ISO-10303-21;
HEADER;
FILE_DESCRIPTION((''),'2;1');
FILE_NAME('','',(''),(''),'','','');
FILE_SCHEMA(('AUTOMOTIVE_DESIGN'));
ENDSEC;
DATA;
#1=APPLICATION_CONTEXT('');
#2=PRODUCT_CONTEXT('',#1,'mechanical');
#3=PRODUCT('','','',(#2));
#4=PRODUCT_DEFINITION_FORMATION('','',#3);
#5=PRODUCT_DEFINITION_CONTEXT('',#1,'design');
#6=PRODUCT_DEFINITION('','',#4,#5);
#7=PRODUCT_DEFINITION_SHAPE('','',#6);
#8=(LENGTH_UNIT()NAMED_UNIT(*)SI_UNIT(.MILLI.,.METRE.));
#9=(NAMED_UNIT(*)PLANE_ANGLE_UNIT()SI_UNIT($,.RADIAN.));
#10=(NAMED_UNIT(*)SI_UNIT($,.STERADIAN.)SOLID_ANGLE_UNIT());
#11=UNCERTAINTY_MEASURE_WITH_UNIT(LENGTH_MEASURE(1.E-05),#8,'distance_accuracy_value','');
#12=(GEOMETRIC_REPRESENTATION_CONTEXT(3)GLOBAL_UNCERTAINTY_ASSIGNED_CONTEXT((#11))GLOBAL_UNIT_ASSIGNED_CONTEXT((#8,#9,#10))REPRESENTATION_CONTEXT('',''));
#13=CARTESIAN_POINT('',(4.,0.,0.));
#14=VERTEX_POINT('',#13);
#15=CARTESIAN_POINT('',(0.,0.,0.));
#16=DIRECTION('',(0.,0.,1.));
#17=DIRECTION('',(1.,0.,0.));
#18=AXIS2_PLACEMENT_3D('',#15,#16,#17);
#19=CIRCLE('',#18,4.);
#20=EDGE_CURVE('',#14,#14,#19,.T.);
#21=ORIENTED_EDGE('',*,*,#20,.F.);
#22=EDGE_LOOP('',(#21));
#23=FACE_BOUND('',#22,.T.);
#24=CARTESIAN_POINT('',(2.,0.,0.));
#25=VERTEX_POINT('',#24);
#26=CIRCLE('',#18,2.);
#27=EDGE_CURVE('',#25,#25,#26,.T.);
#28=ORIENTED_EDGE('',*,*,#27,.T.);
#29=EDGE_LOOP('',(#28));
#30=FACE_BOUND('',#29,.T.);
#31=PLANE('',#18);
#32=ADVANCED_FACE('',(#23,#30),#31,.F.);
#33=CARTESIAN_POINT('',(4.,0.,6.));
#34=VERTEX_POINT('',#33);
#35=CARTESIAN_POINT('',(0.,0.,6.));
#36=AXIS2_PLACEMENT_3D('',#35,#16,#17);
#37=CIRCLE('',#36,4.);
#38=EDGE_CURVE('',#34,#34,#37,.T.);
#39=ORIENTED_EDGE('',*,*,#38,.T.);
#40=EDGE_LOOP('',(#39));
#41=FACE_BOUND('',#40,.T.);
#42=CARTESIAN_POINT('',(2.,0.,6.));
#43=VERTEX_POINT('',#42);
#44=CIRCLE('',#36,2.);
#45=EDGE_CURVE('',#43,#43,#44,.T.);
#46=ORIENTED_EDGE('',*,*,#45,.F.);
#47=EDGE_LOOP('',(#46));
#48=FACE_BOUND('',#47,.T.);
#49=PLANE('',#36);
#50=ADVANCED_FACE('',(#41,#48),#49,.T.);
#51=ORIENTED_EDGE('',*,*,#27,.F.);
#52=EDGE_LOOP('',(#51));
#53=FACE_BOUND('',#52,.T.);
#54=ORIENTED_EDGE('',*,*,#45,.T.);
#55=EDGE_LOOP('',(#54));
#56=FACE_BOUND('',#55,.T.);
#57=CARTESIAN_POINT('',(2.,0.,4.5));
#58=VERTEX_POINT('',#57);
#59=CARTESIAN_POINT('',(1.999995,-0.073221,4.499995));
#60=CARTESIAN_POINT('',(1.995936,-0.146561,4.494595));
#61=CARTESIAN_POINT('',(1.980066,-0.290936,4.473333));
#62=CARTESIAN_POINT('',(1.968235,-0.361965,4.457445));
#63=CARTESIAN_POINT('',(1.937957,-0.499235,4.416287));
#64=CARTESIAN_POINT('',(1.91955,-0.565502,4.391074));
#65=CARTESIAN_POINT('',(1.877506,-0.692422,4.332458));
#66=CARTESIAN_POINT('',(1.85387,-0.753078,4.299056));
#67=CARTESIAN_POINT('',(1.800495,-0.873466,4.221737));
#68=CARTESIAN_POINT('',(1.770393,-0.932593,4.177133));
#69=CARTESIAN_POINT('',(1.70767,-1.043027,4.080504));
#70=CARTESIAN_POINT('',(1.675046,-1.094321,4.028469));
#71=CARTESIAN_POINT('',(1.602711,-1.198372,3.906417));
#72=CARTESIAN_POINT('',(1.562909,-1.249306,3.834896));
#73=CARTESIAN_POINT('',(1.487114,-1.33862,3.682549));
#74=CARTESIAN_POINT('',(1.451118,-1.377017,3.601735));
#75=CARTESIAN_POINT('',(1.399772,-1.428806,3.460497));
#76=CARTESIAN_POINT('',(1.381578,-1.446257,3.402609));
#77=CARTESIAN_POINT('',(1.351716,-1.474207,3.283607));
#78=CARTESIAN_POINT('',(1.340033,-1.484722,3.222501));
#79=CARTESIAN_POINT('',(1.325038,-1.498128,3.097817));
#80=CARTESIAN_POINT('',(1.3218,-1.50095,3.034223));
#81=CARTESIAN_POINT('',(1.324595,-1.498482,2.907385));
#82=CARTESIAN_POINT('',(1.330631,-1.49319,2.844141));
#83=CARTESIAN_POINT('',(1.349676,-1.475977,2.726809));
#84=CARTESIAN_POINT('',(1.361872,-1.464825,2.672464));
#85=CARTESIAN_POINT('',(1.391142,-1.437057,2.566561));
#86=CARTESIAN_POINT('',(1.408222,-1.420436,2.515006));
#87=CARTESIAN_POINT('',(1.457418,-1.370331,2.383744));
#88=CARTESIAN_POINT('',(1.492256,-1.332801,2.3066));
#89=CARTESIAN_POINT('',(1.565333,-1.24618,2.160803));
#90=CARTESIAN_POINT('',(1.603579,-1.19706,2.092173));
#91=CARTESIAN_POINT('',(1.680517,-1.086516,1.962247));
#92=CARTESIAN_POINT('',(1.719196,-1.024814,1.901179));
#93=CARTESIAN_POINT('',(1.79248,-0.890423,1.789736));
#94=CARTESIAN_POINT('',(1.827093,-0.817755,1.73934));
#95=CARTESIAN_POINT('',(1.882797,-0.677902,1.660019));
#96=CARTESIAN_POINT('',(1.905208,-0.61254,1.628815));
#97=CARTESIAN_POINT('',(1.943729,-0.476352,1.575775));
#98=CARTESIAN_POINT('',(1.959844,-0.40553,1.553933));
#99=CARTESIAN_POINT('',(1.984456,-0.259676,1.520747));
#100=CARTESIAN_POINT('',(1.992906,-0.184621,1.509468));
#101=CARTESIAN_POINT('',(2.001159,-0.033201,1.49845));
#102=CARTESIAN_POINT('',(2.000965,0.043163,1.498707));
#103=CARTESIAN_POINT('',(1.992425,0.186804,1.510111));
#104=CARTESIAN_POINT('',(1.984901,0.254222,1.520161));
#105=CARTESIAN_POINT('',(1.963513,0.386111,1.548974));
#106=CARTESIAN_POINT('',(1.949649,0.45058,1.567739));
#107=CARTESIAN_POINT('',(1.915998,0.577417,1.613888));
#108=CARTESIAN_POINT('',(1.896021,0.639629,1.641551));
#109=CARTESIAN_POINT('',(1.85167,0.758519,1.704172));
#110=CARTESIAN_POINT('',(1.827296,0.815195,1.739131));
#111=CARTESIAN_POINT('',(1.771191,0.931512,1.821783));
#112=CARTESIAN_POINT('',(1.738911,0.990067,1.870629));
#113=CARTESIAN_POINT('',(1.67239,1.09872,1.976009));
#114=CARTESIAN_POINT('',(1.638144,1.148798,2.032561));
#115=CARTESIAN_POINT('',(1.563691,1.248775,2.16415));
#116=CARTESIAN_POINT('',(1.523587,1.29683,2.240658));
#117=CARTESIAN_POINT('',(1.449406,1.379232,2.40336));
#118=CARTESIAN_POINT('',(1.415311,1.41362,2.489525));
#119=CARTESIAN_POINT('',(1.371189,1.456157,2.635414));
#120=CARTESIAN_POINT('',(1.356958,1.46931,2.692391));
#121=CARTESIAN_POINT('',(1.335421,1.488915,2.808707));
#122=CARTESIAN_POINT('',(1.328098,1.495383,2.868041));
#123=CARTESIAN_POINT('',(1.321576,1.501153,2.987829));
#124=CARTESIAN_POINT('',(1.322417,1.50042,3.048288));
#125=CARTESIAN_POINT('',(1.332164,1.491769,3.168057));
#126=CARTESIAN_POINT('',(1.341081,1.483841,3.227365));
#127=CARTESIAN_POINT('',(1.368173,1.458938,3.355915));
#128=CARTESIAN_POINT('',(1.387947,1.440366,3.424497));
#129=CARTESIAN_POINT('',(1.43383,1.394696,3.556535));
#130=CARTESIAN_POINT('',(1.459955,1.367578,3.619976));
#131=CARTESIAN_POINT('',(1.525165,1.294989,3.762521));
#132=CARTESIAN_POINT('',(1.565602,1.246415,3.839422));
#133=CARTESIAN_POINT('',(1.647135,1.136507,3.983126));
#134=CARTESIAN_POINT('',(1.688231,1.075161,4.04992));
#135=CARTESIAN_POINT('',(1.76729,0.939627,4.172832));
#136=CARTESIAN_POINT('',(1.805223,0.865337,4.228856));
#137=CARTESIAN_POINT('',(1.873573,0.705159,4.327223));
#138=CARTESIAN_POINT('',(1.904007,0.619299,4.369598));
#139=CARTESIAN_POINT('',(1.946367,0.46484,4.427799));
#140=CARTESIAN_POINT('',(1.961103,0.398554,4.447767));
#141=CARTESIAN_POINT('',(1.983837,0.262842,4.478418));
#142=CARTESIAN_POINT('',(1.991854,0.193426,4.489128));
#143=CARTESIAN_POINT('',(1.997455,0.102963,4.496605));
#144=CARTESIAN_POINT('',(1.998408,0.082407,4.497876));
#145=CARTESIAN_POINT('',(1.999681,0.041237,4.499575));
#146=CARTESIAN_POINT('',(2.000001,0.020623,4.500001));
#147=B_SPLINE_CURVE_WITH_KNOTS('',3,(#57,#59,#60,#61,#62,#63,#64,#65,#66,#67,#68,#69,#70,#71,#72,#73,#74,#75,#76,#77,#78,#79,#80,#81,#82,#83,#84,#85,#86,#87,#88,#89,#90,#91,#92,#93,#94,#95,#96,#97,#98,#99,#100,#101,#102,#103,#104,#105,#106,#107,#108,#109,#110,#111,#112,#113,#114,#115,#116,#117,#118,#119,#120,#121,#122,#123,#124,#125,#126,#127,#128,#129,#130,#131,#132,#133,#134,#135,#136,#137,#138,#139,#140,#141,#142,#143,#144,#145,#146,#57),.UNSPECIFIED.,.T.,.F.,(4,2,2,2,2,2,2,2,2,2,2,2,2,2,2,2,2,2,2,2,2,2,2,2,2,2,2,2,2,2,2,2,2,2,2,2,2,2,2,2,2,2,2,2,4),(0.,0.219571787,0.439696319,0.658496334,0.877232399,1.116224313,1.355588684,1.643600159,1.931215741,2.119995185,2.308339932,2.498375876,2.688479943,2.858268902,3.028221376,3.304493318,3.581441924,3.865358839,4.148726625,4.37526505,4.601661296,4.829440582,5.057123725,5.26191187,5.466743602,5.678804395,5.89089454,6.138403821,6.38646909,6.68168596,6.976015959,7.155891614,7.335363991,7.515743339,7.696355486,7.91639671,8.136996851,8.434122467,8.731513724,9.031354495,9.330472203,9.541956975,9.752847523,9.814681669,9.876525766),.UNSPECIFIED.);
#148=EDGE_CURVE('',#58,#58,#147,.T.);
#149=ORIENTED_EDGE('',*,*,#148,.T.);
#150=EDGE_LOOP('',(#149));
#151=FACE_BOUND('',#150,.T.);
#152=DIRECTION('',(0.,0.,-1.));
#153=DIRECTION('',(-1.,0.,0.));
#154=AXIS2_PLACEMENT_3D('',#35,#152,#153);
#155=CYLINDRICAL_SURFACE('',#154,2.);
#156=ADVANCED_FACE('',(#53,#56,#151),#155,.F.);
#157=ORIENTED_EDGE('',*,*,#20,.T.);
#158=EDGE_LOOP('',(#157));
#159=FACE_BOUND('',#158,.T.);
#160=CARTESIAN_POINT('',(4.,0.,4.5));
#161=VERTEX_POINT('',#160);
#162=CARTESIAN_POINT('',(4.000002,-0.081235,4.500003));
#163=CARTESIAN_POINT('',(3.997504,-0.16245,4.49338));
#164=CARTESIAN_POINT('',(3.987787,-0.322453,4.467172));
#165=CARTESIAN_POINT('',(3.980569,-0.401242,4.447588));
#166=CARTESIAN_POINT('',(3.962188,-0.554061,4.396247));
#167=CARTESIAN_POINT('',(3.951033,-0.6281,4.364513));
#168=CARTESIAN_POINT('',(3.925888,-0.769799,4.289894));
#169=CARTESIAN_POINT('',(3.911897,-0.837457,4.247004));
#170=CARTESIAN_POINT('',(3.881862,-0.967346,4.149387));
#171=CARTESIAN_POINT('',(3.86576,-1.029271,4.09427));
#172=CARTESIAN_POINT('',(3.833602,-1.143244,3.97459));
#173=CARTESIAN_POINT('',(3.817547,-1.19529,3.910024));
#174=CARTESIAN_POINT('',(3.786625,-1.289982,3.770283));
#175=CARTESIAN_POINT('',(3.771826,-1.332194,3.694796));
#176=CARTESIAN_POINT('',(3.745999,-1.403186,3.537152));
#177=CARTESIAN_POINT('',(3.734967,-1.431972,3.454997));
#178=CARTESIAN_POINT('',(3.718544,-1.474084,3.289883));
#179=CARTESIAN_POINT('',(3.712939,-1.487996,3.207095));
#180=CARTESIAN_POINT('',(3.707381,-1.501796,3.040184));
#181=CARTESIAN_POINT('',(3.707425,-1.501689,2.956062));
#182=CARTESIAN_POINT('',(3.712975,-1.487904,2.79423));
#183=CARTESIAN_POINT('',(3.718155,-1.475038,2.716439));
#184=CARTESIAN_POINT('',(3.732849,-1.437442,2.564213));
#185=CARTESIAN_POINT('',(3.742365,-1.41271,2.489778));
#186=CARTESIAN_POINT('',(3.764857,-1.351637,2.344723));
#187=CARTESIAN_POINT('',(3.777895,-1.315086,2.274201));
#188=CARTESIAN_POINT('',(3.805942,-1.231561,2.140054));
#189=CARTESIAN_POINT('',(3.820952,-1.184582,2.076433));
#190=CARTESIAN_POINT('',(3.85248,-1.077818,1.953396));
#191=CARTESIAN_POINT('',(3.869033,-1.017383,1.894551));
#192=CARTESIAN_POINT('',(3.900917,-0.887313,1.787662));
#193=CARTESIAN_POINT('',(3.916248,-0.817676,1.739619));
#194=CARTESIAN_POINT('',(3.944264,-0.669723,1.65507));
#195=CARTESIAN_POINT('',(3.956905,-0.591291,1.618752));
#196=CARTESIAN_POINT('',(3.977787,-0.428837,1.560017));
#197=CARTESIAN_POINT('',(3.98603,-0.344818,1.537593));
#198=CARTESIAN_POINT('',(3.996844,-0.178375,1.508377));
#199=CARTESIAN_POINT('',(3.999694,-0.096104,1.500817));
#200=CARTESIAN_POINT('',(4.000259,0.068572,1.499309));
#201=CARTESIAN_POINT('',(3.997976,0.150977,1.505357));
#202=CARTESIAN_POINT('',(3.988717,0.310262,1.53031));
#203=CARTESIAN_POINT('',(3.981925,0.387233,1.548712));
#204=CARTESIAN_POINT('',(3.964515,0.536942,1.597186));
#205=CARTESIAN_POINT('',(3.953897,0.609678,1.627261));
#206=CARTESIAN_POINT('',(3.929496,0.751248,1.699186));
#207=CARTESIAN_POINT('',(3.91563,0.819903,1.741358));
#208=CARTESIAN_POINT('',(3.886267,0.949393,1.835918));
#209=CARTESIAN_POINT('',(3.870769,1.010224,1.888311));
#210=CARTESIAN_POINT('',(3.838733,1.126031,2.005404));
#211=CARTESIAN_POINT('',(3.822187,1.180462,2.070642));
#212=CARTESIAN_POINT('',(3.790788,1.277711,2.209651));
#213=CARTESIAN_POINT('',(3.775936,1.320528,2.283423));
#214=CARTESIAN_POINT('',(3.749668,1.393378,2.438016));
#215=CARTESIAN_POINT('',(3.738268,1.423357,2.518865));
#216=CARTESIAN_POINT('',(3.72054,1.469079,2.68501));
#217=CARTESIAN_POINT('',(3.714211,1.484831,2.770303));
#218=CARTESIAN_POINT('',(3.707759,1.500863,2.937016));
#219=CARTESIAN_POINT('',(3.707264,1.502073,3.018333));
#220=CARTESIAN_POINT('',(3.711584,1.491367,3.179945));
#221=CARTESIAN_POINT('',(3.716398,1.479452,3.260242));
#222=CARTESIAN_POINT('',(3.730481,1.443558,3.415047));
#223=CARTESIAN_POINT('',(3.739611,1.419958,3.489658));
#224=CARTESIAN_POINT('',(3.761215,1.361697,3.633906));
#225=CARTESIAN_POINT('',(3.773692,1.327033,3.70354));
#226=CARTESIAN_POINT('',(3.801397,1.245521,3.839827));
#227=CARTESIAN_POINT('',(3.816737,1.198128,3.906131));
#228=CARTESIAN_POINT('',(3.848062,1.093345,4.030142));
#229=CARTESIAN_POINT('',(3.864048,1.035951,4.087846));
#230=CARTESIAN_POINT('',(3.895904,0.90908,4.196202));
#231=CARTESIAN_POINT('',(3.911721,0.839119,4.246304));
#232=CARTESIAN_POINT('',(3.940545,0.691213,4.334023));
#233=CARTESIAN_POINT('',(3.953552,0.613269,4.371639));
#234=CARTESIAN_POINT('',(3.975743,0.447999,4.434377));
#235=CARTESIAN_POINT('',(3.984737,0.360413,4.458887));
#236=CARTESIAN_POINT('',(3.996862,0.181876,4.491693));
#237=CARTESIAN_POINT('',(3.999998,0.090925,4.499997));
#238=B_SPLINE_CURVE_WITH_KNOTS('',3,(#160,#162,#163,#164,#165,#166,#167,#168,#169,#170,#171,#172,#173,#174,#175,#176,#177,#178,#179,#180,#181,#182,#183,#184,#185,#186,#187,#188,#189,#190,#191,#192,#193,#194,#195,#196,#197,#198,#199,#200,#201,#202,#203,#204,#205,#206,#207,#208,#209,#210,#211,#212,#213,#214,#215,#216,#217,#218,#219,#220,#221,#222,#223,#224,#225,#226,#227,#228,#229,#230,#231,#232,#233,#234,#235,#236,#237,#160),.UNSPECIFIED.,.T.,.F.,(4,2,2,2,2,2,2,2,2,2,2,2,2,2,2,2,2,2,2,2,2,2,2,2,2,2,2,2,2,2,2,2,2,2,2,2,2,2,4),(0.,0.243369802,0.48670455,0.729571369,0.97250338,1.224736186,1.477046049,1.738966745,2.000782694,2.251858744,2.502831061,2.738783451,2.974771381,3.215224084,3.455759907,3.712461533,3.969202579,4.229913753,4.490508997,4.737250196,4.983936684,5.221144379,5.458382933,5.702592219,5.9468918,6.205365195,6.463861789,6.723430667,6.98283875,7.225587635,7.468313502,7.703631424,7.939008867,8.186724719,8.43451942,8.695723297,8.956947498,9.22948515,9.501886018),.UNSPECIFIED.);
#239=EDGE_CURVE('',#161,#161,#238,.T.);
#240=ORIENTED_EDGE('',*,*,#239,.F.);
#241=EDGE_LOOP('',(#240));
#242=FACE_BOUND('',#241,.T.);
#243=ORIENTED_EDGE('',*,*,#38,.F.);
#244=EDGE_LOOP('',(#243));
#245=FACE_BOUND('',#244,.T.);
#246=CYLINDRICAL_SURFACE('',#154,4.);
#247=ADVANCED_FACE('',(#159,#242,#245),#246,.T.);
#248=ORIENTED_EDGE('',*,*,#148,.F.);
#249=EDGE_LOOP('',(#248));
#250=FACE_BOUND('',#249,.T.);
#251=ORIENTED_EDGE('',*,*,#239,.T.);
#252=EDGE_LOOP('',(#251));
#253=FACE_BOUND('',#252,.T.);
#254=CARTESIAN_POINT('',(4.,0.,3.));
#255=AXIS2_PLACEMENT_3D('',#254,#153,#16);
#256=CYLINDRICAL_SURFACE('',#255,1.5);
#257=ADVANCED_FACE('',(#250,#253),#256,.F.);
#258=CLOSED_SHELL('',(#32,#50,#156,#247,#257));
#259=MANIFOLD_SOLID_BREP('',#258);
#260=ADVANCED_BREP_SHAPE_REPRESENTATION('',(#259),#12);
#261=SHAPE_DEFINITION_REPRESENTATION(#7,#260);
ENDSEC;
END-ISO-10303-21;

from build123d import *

# Parameters (mm, degrees)
SKETCH_1_R           = 4
SKETCH_1_R_2         = 2.025
EXTRUDE_6_DEPTH      = 6
MOVE_FACE_D4_BY      = 0.025
SKETCH_2_R           = 1.5
CUT_EXTRUDE_M3_DEPTH = 9.246211251


with BuildPart() as part:
    # 草图1 → 轴向尺寸_6 (new body)
    with BuildSketch(Plane.XY):
        Circle(SKETCH_1_R)
        Circle(SKETCH_1_R_2, mode=Mode.SUBTRACT)
    extrude(amount=EXTRUDE_6_DEPTH)

    # Move Face D4: a curved face moved outward by 0.025
    add(Solid.thicken(part.faces().sort_by_distance((-2.025, 0, 3))[0], MOVE_FACE_D4_BY))

    # 草图2 → 径向M3螺纹大径包络 (cut, through all)
    with BuildSketch(Plane(origin=(0, 0, 0), x_dir=(0, 0, -1), z_dir=(1, 0, 0))):
        with Locations(Location((-3, 0, 0), (0, 0, 180))):
            Circle(SKETCH_2_R)
    extrude(amount=CUT_EXTRUDE_M3_DEPTH, mode=Mode.SUBTRACT)


solid = part.part
